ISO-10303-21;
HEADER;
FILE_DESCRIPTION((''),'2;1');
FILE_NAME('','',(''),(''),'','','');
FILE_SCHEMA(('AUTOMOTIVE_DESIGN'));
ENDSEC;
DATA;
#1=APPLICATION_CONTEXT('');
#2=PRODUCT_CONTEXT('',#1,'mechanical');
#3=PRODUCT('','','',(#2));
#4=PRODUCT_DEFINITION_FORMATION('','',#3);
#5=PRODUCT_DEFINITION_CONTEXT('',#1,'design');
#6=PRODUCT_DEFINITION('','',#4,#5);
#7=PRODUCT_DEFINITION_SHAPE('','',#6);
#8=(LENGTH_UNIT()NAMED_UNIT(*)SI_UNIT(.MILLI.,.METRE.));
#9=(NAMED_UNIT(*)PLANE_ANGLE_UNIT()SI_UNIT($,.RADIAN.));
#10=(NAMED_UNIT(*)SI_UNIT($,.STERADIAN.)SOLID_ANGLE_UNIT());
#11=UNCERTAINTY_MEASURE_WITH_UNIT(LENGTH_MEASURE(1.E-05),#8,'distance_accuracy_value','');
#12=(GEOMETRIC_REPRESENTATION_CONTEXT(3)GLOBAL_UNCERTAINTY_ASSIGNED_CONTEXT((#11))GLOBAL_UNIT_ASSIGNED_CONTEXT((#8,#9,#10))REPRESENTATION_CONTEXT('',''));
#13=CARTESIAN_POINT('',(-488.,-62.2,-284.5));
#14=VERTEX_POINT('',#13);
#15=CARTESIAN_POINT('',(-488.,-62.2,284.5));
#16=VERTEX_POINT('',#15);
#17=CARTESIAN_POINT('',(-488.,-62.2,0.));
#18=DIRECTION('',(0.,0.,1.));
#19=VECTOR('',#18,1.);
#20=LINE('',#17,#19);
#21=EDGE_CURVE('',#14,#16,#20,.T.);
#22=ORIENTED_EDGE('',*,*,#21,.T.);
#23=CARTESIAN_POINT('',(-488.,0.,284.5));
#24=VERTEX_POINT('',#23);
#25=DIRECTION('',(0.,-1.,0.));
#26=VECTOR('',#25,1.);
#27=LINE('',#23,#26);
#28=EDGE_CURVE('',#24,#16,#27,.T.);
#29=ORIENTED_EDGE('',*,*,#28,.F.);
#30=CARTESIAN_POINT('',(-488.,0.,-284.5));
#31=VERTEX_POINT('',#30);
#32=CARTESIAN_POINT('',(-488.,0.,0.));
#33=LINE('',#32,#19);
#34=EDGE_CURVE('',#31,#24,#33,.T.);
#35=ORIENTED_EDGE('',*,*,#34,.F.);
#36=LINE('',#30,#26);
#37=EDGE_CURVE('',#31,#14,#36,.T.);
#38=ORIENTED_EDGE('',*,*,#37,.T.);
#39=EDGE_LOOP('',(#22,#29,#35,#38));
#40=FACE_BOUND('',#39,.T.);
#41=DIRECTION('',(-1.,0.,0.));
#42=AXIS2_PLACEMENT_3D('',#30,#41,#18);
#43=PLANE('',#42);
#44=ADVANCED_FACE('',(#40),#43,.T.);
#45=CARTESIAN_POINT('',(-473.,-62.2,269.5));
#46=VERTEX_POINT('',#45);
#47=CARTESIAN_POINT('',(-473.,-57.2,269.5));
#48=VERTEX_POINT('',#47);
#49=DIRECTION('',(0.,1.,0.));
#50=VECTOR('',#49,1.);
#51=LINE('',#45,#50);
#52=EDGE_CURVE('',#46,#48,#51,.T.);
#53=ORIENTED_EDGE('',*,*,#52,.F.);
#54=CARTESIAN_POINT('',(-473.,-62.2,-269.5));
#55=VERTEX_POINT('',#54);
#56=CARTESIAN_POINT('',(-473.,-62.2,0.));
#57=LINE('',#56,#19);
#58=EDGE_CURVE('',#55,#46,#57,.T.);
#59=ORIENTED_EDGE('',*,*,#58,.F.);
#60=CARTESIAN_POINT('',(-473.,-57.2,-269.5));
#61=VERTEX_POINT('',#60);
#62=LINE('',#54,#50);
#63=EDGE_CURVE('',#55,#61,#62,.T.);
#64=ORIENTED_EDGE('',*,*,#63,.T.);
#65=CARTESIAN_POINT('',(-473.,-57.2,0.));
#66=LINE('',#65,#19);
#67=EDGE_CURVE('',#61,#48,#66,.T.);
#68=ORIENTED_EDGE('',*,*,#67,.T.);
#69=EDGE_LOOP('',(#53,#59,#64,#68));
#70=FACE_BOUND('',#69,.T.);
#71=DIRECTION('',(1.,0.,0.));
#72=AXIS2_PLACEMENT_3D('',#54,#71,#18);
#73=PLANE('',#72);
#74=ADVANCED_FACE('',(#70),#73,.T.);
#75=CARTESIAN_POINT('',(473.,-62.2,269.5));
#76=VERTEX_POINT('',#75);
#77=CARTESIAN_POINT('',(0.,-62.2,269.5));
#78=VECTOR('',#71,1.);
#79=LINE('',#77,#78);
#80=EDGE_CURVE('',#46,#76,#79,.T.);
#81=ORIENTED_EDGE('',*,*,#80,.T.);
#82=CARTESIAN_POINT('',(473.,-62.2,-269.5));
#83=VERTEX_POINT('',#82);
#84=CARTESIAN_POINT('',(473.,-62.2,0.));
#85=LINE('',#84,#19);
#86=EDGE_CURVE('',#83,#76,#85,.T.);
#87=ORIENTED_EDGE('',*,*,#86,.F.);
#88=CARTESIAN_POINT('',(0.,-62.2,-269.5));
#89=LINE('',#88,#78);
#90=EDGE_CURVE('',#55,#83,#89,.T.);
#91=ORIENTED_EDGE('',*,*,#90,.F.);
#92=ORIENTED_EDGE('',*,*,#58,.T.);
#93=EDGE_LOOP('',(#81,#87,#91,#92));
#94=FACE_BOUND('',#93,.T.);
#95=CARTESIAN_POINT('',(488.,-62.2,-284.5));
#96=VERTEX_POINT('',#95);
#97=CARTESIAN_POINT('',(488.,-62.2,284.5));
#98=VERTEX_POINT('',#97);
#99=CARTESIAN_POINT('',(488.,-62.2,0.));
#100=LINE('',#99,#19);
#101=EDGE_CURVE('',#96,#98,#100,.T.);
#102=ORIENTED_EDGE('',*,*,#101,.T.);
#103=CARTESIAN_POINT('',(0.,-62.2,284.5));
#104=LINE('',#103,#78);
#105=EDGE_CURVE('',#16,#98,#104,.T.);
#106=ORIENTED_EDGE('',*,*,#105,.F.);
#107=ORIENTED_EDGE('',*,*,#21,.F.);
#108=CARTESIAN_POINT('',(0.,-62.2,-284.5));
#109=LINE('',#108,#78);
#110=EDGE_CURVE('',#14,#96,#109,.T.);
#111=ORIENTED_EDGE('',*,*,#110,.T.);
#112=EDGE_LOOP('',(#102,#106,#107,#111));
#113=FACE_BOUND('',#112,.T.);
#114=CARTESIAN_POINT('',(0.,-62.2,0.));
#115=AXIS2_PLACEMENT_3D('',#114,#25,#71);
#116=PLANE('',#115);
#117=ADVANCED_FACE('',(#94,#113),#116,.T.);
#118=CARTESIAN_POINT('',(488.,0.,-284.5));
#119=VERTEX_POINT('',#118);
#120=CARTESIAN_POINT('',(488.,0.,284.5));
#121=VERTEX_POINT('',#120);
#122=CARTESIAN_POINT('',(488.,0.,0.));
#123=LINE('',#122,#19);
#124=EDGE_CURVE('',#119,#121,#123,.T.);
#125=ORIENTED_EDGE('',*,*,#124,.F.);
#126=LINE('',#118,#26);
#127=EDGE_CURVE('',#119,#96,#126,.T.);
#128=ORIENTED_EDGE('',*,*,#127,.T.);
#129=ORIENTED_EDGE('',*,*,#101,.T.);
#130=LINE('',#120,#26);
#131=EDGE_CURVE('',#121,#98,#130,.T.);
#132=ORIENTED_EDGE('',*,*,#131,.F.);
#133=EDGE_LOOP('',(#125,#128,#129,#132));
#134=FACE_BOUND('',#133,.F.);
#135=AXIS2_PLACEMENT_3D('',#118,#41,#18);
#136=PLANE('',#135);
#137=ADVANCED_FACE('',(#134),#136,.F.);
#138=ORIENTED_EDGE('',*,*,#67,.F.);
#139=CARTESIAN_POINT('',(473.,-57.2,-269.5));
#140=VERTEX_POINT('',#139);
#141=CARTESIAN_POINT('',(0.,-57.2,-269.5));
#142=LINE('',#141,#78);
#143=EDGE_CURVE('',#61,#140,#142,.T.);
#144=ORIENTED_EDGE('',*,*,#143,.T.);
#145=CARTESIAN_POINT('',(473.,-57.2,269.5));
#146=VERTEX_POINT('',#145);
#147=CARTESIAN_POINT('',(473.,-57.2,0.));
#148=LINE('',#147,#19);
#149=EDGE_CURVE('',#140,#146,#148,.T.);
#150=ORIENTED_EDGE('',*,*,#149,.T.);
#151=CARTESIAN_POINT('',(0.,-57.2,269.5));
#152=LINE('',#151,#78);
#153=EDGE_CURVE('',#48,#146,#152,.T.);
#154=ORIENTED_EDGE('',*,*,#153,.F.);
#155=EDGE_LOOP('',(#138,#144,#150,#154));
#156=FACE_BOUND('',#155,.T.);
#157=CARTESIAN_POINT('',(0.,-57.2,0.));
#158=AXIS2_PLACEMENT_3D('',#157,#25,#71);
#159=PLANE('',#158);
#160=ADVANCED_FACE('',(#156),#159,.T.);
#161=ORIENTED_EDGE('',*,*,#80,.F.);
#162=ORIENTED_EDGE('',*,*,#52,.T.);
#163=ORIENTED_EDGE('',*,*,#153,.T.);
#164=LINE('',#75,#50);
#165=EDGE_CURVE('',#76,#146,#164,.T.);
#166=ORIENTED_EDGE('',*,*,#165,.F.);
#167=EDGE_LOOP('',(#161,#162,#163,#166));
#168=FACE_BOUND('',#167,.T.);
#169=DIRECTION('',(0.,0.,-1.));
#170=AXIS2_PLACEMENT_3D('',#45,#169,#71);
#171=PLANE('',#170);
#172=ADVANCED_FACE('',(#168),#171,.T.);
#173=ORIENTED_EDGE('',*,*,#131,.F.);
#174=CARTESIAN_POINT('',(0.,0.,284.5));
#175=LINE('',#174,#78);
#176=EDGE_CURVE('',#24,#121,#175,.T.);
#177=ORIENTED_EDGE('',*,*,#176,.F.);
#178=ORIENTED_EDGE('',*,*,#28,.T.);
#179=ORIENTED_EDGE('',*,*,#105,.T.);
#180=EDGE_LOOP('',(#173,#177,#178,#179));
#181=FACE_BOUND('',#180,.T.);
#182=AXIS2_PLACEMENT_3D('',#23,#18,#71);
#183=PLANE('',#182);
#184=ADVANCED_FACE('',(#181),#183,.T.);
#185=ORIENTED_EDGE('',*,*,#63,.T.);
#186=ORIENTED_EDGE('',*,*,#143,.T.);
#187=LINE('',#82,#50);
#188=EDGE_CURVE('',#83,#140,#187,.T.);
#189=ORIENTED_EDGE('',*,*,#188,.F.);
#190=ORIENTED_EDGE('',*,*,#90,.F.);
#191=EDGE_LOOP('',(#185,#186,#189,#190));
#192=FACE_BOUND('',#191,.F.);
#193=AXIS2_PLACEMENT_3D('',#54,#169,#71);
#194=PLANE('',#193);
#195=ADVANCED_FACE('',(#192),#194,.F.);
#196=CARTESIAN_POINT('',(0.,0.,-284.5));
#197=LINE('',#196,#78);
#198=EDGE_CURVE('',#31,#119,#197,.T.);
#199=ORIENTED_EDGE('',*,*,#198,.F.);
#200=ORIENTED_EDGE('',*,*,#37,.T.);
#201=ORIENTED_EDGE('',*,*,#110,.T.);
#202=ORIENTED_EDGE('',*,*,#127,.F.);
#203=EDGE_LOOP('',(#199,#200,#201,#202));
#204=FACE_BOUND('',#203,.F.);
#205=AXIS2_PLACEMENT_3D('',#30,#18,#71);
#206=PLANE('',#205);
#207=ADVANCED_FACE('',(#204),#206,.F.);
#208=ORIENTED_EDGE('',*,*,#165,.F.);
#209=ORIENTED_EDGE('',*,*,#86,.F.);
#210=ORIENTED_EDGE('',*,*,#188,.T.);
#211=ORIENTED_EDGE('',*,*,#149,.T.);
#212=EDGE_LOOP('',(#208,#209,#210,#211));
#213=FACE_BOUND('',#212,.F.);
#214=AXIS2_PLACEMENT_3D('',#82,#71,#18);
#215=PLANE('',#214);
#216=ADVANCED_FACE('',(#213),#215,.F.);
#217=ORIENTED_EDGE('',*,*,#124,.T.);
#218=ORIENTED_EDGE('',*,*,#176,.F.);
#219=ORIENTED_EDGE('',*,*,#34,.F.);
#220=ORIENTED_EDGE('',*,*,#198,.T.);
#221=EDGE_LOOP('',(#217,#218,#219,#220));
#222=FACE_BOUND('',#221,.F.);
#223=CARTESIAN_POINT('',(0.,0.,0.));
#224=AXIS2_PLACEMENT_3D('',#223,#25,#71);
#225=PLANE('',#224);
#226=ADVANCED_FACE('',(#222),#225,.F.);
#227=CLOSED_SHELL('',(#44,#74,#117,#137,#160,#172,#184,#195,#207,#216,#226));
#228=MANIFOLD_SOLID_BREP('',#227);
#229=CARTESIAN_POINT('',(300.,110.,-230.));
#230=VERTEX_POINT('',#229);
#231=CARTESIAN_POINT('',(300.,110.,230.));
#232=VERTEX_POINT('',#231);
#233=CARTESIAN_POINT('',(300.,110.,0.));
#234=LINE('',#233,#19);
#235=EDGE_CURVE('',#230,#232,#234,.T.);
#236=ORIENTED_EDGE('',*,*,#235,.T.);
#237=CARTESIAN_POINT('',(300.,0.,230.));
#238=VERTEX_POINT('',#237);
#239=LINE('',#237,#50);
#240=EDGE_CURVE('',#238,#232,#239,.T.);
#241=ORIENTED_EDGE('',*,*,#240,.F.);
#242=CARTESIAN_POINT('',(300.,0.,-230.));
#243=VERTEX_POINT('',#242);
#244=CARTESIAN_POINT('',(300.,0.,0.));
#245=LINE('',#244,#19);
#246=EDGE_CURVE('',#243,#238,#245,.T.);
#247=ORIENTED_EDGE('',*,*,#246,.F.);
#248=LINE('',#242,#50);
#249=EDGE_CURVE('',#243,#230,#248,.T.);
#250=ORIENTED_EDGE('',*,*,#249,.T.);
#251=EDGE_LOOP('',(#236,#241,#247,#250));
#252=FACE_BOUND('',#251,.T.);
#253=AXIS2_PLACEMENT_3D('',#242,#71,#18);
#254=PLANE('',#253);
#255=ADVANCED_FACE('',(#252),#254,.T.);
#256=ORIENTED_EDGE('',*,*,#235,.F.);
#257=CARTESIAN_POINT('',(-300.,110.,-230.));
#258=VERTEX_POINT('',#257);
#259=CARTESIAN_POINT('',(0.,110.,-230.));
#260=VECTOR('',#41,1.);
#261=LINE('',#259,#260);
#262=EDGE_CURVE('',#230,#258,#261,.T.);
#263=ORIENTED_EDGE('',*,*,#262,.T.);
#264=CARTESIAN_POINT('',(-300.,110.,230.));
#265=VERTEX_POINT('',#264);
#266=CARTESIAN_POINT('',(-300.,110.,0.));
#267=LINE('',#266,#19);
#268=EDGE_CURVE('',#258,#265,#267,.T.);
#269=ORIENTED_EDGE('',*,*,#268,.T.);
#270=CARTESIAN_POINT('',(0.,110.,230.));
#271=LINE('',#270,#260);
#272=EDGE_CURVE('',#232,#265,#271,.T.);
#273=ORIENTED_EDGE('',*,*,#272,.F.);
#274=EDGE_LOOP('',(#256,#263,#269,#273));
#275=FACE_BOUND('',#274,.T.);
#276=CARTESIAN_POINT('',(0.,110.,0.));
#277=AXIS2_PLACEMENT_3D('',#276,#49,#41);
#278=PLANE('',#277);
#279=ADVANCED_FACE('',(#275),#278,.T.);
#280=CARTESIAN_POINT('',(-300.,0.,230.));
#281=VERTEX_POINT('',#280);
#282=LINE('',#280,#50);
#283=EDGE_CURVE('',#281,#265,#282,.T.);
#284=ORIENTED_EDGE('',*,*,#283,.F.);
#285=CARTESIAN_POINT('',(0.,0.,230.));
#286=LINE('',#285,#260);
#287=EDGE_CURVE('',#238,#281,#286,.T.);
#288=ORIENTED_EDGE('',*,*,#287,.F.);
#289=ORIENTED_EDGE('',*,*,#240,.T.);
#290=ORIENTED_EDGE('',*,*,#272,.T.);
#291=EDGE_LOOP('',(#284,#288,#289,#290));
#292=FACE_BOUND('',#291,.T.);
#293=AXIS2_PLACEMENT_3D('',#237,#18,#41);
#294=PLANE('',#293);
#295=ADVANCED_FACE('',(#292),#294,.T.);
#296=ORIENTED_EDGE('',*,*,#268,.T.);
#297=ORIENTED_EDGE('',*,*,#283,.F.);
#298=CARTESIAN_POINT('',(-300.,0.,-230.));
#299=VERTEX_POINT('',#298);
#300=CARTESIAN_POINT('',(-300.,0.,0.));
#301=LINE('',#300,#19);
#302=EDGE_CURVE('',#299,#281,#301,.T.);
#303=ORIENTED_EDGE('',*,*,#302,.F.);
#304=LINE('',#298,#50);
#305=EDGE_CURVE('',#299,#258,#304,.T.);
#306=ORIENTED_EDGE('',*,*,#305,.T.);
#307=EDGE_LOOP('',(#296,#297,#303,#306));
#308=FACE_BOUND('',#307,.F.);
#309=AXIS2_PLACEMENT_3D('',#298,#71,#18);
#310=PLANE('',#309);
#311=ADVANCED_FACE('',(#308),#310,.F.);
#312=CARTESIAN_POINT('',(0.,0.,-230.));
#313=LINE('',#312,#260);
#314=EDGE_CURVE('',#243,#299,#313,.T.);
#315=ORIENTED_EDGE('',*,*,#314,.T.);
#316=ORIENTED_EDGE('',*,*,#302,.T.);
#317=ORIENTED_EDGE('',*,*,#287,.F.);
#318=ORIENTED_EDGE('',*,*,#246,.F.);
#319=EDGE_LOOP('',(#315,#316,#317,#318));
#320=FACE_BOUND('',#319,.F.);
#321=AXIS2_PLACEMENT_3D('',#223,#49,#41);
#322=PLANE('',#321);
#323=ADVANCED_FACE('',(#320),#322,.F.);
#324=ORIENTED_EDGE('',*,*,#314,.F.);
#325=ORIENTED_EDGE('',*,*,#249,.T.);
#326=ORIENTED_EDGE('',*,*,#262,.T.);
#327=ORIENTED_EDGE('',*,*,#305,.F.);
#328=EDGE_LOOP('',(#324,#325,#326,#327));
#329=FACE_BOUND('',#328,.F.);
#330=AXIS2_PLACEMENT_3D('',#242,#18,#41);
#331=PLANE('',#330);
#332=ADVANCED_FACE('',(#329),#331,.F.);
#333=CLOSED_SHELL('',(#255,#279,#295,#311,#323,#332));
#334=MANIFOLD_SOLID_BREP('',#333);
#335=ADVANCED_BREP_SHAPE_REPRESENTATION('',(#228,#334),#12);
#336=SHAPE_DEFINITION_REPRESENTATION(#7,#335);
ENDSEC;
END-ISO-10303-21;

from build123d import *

# Parameters (mm, degrees)
F0_W     = 976
F0_H     = 569
F1_DEPTH = 62.2
F2_W     = 946
F2_H     = 539
F3_DEPTH = 5
F4_W     = 600
F4_H     = 460
F5_DEPTH = 110


with BuildPart() as f1:
    # F0 (on Front) → F1 (new body)
    with BuildSketch(Plane.XZ):
        Rectangle(F0_W, F0_H)
    extrude(amount=F1_DEPTH)

    # F2 (on face) → F3 (cut)
    with BuildSketch(Plane.XZ.offset(62.2)):
        Rectangle(F2_W, F2_H)
    extrude(amount=-F3_DEPTH, mode=Mode.SUBTRACT)


with BuildPart() as f5:
    # F4 (on face) → F5 (new body)
    with BuildSketch(Plane(origin=(0, 0, 0), x_dir=(-1, 0, 0), z_dir=(0, 1, 0))):
        Rectangle(F4_W, F4_H)
    extrude(amount=F5_DEPTH)


solid = Compound([f1.part, f5.part])
